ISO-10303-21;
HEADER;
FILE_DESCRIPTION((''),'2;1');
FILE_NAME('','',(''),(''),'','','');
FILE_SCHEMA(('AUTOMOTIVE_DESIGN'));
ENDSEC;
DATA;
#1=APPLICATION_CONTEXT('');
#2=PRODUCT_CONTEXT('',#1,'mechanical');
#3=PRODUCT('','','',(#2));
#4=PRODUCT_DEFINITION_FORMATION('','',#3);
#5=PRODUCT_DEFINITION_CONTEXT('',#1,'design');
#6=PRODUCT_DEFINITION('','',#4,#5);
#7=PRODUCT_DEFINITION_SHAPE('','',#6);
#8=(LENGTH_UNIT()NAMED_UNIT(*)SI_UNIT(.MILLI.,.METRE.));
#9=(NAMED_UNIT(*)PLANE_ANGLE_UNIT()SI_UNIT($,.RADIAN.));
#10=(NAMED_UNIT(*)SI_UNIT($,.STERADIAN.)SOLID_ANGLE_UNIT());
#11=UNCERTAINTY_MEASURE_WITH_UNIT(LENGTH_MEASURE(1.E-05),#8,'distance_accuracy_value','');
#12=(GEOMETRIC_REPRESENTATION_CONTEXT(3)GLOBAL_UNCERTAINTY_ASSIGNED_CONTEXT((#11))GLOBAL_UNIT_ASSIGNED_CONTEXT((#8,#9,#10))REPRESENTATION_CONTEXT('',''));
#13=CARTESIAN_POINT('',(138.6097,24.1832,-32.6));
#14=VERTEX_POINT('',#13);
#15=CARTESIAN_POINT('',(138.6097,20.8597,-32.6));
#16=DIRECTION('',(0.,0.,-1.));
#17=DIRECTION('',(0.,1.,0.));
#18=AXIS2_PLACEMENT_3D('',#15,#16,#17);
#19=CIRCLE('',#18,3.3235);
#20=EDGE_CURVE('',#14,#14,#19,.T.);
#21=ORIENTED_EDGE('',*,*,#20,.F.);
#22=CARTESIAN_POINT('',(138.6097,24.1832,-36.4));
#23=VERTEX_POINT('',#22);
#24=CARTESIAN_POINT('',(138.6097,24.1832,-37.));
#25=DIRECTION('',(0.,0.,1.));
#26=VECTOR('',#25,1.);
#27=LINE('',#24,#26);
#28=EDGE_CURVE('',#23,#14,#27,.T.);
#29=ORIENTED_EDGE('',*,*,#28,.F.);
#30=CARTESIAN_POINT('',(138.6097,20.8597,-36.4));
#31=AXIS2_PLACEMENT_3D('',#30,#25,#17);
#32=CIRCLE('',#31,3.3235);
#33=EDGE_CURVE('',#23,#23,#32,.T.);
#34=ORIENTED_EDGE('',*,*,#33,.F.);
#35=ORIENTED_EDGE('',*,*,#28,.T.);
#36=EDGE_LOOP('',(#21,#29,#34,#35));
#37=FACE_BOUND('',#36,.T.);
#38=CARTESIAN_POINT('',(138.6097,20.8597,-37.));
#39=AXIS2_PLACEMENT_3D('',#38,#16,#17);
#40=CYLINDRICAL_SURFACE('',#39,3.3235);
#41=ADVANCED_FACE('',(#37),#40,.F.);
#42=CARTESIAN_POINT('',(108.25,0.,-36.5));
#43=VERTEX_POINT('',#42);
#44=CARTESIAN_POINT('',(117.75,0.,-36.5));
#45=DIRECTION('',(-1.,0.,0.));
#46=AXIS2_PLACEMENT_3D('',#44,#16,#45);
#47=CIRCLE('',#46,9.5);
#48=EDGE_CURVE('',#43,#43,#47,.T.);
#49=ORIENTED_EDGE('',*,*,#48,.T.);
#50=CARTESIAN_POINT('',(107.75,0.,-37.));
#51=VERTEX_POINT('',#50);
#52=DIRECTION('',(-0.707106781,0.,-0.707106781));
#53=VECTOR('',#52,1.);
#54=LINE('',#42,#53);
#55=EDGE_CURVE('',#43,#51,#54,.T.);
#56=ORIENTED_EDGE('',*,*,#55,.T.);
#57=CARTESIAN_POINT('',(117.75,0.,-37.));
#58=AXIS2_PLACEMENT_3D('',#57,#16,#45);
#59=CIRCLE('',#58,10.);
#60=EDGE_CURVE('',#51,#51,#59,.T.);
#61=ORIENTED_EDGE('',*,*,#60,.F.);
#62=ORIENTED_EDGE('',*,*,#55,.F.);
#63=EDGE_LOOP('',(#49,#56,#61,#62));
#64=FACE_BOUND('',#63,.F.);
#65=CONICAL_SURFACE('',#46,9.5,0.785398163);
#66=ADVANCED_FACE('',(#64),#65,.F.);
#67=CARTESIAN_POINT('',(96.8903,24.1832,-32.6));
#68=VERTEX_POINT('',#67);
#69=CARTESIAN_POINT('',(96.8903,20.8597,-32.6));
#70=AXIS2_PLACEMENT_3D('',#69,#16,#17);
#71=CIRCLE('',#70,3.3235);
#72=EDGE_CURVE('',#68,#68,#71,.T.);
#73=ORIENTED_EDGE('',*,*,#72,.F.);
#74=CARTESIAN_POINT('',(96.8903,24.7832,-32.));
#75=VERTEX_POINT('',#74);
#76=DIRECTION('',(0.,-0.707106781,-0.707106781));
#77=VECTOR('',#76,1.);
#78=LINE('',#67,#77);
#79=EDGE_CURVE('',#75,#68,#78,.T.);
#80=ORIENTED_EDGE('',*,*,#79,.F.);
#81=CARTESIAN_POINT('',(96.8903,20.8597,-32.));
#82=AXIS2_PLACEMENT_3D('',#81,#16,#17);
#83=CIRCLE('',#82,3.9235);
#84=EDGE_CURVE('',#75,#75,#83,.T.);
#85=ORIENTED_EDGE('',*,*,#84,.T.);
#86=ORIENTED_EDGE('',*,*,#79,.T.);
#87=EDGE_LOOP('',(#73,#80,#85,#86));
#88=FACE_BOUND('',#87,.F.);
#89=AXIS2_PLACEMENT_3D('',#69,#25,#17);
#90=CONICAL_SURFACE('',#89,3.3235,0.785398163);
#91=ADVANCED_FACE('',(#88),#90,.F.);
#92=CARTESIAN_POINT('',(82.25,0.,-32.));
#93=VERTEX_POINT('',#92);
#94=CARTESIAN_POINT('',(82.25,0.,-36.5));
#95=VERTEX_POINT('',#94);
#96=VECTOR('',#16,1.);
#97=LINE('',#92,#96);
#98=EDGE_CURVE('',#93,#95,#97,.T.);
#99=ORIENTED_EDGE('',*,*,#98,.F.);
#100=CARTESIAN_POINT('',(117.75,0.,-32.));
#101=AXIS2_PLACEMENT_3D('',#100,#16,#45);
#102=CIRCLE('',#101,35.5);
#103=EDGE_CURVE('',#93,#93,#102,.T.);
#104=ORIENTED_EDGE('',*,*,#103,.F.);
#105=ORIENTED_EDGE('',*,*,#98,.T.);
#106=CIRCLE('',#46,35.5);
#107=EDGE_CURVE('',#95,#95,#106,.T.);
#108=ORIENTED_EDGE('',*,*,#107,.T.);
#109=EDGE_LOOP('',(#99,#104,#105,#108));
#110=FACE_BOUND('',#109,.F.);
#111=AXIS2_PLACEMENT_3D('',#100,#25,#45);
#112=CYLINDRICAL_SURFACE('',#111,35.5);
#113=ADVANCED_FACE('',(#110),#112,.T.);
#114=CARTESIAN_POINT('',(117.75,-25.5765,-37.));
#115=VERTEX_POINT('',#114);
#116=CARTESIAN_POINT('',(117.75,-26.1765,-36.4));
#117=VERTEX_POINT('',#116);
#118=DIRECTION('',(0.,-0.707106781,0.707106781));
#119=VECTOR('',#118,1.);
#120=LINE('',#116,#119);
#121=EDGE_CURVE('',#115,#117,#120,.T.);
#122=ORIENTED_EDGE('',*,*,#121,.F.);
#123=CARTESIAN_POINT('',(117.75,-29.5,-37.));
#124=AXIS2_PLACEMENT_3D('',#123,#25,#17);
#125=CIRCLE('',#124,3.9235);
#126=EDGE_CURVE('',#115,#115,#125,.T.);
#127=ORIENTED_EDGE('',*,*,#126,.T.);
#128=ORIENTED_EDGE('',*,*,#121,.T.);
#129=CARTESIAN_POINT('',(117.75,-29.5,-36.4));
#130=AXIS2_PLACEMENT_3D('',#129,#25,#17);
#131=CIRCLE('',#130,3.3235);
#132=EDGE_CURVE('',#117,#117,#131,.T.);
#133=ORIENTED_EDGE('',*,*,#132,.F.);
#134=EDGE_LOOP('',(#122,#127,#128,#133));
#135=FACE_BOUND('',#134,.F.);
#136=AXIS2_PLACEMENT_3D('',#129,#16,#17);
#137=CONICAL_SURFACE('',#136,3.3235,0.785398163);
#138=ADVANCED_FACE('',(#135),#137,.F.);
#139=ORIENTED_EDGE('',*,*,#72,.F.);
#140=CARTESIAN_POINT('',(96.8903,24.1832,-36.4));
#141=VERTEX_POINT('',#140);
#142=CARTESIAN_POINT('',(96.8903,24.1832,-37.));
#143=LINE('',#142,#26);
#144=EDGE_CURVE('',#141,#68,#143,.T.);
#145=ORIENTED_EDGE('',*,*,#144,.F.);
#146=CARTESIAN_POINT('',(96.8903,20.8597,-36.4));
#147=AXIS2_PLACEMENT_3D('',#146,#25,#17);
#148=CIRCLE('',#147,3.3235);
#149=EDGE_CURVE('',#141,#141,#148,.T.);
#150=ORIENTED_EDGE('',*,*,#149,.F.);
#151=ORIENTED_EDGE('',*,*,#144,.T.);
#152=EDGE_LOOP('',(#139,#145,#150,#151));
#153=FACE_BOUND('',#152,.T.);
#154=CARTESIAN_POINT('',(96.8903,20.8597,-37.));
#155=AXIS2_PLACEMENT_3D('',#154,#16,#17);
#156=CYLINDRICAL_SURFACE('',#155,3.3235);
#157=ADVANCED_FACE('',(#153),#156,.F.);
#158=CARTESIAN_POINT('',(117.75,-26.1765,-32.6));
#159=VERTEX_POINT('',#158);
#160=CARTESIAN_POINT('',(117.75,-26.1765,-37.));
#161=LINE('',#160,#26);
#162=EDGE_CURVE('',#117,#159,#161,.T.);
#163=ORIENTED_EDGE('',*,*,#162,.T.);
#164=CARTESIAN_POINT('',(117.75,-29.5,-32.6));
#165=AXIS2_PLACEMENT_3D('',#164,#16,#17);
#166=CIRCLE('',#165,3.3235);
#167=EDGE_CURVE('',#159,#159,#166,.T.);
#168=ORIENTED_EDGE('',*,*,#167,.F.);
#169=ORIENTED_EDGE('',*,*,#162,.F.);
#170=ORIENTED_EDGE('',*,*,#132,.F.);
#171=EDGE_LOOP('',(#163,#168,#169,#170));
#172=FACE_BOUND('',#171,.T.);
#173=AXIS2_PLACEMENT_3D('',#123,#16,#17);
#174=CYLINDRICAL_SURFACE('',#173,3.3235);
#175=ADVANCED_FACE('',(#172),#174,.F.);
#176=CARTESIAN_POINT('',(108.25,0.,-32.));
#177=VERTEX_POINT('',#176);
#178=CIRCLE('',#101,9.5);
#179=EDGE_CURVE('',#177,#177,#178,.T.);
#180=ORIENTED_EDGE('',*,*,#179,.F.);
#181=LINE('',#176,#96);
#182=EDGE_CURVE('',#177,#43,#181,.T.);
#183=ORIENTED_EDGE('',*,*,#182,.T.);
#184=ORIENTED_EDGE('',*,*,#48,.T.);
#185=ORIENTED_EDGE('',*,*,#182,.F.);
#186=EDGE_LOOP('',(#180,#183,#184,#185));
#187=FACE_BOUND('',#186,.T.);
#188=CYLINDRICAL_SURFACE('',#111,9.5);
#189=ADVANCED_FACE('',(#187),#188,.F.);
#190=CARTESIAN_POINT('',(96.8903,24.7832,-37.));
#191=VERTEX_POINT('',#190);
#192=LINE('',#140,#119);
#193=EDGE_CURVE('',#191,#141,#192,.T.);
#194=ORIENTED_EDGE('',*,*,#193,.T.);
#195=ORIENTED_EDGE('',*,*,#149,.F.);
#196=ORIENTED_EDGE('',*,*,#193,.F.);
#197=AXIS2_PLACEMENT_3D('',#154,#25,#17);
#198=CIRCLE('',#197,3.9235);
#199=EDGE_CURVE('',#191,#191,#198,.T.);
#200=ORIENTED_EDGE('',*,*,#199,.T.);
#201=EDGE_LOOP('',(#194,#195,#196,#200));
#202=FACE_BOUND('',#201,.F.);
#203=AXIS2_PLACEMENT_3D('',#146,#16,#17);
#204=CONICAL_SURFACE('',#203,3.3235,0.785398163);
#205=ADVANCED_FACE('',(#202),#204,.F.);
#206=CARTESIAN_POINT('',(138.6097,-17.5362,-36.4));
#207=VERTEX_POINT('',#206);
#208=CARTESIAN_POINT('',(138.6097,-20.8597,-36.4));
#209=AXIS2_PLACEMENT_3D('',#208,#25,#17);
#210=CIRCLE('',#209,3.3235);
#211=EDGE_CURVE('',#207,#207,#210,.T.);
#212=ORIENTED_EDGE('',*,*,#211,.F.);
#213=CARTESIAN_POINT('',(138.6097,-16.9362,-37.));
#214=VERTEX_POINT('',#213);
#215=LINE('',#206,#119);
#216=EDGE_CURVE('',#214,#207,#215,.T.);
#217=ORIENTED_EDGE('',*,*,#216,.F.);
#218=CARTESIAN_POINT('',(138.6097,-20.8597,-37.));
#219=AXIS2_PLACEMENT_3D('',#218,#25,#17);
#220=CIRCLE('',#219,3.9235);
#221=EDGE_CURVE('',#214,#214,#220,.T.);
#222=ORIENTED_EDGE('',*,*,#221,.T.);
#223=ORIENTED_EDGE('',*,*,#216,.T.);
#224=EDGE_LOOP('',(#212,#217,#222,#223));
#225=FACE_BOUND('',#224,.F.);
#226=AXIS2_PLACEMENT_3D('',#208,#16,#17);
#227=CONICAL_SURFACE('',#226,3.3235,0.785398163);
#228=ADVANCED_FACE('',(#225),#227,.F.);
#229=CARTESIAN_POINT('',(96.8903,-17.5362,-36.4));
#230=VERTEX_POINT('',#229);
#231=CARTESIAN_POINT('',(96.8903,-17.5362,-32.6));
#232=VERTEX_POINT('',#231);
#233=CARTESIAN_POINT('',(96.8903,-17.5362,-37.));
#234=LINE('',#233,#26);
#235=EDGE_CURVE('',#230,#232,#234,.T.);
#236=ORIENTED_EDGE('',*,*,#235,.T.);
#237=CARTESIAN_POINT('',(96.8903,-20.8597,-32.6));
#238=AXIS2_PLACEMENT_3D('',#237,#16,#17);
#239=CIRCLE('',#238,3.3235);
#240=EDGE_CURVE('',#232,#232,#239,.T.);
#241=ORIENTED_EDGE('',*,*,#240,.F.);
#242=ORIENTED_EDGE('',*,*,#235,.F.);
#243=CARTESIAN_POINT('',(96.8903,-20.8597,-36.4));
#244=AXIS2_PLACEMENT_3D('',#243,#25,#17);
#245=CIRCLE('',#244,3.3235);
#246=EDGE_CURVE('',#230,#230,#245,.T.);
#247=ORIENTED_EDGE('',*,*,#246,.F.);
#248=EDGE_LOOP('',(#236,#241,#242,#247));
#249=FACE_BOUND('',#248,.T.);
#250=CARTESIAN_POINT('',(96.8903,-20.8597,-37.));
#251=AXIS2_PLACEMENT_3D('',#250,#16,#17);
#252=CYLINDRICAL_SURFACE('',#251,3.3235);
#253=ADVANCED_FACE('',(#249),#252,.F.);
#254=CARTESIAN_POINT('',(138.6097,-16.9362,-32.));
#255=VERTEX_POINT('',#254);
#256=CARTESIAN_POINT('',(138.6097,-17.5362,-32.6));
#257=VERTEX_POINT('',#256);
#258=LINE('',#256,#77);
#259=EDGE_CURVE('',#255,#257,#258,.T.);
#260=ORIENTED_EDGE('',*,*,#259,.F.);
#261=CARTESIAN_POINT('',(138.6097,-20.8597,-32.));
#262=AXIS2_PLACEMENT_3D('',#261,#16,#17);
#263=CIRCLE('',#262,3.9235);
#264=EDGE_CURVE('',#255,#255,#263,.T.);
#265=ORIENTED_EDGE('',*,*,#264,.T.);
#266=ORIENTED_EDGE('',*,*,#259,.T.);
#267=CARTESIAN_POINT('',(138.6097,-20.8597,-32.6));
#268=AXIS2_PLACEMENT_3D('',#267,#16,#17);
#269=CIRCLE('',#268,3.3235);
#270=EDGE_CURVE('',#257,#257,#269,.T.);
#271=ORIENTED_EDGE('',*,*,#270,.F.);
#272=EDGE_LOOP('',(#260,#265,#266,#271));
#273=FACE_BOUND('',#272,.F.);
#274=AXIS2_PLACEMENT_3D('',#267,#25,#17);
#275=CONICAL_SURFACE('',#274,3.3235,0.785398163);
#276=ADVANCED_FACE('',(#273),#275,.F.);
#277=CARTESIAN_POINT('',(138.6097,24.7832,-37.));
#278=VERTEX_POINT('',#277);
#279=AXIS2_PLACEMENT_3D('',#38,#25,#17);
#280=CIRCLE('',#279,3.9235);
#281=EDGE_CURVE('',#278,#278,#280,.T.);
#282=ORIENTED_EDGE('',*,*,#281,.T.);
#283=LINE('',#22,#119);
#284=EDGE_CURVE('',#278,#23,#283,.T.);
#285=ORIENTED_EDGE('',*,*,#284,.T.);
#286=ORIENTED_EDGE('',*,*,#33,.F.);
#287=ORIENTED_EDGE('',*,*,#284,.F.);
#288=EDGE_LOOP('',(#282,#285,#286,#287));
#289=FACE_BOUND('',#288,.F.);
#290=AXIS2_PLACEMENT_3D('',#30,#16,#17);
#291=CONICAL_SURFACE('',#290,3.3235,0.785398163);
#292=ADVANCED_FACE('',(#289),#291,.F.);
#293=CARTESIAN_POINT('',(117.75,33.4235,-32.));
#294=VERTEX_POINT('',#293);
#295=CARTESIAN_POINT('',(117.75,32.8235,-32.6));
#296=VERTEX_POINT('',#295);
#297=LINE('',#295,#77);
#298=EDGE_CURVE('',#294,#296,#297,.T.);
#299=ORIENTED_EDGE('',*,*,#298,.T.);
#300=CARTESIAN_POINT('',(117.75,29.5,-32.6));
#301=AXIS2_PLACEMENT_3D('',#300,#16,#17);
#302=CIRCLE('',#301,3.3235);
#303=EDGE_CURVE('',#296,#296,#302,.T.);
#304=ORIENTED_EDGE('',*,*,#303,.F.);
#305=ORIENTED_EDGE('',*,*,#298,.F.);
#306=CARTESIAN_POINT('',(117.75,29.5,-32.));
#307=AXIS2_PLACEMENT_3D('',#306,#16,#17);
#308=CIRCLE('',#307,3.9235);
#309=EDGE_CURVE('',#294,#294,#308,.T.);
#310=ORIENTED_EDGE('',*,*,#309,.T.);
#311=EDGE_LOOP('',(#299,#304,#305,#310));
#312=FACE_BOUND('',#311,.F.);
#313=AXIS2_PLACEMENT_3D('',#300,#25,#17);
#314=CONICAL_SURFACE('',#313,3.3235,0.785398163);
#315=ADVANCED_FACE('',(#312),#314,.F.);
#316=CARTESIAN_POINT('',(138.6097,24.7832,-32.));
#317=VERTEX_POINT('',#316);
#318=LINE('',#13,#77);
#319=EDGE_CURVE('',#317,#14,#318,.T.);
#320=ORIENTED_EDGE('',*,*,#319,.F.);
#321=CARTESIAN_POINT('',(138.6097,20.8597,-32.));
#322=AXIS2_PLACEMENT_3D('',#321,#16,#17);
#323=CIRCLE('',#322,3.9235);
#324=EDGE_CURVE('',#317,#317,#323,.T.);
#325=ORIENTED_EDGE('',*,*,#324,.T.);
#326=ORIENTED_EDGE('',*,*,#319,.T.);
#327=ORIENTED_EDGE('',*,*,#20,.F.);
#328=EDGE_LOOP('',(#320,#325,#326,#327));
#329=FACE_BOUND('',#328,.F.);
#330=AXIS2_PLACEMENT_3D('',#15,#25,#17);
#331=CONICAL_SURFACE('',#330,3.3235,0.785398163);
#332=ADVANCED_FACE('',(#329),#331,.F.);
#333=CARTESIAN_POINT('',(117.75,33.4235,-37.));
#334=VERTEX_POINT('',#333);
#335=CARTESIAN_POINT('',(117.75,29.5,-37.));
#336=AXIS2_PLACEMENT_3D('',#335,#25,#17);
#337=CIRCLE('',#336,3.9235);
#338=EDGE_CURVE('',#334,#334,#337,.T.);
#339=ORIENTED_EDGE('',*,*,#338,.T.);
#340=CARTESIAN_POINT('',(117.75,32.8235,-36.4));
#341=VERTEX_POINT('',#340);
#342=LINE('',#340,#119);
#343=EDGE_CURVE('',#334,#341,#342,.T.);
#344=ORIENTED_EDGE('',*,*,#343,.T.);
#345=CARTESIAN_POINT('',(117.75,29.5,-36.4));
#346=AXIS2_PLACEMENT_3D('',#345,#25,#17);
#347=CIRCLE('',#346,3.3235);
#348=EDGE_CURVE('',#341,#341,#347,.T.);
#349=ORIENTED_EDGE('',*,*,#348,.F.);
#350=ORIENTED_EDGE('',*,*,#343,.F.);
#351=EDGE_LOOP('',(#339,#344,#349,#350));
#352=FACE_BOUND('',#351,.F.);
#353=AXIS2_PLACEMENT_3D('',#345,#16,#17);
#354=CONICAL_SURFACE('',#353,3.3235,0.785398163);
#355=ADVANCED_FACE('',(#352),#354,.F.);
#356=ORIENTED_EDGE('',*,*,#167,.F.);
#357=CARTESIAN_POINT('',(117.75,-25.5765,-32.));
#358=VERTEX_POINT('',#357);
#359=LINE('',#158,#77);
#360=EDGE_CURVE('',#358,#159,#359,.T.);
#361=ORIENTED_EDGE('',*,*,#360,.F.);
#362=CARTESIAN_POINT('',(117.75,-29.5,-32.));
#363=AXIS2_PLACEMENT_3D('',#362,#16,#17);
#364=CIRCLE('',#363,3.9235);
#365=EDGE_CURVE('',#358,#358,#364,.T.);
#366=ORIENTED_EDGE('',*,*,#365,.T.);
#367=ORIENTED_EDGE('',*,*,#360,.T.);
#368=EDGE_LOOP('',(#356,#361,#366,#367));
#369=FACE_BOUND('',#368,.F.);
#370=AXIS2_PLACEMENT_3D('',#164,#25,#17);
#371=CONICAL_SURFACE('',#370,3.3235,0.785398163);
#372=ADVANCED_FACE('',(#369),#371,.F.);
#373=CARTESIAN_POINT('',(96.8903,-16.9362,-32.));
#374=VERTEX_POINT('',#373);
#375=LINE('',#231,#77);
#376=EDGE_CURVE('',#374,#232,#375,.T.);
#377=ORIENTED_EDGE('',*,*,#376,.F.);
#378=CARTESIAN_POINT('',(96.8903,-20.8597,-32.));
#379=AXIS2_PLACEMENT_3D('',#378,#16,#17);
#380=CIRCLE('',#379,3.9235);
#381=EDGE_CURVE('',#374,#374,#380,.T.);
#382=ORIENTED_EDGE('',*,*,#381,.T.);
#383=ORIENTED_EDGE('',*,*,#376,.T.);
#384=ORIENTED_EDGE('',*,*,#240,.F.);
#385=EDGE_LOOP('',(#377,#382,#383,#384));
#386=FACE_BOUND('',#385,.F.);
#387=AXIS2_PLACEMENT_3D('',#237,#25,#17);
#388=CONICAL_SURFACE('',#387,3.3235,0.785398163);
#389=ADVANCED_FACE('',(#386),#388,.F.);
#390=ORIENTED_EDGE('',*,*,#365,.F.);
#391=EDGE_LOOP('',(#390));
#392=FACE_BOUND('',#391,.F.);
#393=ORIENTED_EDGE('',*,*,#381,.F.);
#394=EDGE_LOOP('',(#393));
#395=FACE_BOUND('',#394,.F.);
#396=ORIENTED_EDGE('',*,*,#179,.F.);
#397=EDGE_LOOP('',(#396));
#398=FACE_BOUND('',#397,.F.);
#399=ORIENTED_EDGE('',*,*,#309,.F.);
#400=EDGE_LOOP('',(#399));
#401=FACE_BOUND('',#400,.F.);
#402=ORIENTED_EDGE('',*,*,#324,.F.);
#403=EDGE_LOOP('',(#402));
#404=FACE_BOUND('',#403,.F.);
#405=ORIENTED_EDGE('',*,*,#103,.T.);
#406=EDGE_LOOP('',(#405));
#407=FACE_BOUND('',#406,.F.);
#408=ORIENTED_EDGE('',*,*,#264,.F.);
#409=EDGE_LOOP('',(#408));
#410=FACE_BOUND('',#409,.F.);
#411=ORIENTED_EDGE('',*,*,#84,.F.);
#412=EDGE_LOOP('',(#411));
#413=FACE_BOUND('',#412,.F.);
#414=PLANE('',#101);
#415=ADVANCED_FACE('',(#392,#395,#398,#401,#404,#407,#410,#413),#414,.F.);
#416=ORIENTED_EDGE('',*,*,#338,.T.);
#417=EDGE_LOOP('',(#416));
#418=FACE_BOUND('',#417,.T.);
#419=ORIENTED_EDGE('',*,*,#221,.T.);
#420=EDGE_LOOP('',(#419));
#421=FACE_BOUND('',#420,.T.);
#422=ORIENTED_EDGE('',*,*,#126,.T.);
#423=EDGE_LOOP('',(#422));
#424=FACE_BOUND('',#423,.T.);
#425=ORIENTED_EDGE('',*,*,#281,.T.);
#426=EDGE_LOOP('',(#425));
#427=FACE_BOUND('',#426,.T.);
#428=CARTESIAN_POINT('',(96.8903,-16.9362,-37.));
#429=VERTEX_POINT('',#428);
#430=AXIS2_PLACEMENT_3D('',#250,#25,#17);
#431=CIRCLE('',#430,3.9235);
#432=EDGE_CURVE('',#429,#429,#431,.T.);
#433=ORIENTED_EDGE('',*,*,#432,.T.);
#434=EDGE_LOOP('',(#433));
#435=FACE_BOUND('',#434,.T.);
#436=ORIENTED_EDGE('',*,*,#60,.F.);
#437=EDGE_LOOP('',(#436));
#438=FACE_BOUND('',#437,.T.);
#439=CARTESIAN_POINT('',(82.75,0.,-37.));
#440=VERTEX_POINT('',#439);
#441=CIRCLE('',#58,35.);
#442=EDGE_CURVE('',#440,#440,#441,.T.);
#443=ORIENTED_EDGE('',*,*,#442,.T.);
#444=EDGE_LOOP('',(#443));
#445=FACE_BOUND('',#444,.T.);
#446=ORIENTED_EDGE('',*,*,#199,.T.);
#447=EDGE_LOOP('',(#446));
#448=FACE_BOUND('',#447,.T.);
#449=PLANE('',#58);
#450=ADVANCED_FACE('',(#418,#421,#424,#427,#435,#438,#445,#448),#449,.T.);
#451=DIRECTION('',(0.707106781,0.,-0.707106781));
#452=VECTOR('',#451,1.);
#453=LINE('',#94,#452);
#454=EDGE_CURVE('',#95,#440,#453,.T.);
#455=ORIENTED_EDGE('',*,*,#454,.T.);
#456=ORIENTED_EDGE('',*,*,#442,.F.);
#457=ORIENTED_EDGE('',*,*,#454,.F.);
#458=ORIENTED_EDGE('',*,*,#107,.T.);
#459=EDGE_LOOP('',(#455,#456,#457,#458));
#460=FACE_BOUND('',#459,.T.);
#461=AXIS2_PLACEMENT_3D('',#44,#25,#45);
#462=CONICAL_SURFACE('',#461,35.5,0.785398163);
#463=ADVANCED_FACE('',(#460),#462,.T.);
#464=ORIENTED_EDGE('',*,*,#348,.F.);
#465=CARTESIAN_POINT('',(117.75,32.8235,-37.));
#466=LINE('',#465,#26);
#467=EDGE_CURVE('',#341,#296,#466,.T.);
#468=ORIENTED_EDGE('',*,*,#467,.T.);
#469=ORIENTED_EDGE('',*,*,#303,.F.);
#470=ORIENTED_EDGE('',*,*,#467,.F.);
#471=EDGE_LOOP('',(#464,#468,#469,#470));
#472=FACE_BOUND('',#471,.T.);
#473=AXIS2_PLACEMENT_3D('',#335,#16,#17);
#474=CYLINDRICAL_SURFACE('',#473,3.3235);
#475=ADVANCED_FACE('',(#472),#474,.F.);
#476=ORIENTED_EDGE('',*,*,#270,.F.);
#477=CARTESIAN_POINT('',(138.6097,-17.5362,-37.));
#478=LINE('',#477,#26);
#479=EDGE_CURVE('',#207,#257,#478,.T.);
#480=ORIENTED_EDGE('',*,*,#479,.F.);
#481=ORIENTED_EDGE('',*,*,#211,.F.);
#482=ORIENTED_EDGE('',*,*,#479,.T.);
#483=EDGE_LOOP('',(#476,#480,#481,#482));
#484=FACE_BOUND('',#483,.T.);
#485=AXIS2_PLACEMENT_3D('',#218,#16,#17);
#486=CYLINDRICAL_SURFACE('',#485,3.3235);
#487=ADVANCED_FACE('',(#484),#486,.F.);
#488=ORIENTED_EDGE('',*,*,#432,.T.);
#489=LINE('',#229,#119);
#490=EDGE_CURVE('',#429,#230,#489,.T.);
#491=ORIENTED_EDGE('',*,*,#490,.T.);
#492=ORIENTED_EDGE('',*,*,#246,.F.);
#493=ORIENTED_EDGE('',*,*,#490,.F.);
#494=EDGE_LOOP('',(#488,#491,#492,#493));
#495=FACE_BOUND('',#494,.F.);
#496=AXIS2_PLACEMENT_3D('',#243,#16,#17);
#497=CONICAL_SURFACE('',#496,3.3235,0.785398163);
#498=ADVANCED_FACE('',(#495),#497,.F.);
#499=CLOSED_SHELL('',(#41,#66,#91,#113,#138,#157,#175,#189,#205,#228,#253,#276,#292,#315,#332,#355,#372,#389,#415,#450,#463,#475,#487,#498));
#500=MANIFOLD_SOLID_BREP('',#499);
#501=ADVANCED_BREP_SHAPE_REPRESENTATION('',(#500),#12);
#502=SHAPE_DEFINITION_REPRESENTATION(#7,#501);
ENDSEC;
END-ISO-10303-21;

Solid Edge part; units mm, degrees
sketch "Sketch1" plane through (0, 0, -32) normal (0, 0, -1) x (-1, 0, 0)
  circle A0 centre (-117.75, 0) radius 35.5
  circle A1 centre (-117.75, 0) radius 9.5
extrude "Protrusion1" add sketch "Sketch1" along normal blind 5
chamfer "Faza_1" distance 0.5 angle 45 2 edges at (127.25, 0, -37) (153.25, 0, -37)
hole "Otwór_1" at (138.6097, -20.8597, -37) direction (0, 0, 1) diameter 6.647 end up to next start chamfer 0.6 start chamfer angle 45 end chamfer 0.6 end chamfer angle 45
hole "Hole1" at (117.75, -29.5, -37) direction (0, 0, 1) diameter 6.647 end up to next start chamfer 0.6 start chamfer angle 45 end chamfer 0.6 end chamfer angle 45
hole "Hole2" at (96.8903, -20.8597, -37) direction (0, 0, 1) diameter 6.647 end up to next start chamfer 0.6 start chamfer angle 45 end chamfer 0.6 end chamfer angle 45
hole "Hole3" at (96.8903, 20.8597, -37) direction (0, 0, 1) diameter 6.647 end up to next start chamfer 0.6 start chamfer angle 45 end chamfer 0.6 end chamfer angle 45
hole "Hole4" at (117.75, 29.5, -37) direction (0, 0, 1) diameter 6.647 end up to next start chamfer 0.6 start chamfer angle 45 end chamfer 0.6 end chamfer angle 45
hole "Hole5" at (138.6097, 20.8597, -37) direction (0, 0, 1) diameter 6.647 end up to next start chamfer 0.6 start chamfer angle 45 end chamfer 0.6 end chamfer angle 45
